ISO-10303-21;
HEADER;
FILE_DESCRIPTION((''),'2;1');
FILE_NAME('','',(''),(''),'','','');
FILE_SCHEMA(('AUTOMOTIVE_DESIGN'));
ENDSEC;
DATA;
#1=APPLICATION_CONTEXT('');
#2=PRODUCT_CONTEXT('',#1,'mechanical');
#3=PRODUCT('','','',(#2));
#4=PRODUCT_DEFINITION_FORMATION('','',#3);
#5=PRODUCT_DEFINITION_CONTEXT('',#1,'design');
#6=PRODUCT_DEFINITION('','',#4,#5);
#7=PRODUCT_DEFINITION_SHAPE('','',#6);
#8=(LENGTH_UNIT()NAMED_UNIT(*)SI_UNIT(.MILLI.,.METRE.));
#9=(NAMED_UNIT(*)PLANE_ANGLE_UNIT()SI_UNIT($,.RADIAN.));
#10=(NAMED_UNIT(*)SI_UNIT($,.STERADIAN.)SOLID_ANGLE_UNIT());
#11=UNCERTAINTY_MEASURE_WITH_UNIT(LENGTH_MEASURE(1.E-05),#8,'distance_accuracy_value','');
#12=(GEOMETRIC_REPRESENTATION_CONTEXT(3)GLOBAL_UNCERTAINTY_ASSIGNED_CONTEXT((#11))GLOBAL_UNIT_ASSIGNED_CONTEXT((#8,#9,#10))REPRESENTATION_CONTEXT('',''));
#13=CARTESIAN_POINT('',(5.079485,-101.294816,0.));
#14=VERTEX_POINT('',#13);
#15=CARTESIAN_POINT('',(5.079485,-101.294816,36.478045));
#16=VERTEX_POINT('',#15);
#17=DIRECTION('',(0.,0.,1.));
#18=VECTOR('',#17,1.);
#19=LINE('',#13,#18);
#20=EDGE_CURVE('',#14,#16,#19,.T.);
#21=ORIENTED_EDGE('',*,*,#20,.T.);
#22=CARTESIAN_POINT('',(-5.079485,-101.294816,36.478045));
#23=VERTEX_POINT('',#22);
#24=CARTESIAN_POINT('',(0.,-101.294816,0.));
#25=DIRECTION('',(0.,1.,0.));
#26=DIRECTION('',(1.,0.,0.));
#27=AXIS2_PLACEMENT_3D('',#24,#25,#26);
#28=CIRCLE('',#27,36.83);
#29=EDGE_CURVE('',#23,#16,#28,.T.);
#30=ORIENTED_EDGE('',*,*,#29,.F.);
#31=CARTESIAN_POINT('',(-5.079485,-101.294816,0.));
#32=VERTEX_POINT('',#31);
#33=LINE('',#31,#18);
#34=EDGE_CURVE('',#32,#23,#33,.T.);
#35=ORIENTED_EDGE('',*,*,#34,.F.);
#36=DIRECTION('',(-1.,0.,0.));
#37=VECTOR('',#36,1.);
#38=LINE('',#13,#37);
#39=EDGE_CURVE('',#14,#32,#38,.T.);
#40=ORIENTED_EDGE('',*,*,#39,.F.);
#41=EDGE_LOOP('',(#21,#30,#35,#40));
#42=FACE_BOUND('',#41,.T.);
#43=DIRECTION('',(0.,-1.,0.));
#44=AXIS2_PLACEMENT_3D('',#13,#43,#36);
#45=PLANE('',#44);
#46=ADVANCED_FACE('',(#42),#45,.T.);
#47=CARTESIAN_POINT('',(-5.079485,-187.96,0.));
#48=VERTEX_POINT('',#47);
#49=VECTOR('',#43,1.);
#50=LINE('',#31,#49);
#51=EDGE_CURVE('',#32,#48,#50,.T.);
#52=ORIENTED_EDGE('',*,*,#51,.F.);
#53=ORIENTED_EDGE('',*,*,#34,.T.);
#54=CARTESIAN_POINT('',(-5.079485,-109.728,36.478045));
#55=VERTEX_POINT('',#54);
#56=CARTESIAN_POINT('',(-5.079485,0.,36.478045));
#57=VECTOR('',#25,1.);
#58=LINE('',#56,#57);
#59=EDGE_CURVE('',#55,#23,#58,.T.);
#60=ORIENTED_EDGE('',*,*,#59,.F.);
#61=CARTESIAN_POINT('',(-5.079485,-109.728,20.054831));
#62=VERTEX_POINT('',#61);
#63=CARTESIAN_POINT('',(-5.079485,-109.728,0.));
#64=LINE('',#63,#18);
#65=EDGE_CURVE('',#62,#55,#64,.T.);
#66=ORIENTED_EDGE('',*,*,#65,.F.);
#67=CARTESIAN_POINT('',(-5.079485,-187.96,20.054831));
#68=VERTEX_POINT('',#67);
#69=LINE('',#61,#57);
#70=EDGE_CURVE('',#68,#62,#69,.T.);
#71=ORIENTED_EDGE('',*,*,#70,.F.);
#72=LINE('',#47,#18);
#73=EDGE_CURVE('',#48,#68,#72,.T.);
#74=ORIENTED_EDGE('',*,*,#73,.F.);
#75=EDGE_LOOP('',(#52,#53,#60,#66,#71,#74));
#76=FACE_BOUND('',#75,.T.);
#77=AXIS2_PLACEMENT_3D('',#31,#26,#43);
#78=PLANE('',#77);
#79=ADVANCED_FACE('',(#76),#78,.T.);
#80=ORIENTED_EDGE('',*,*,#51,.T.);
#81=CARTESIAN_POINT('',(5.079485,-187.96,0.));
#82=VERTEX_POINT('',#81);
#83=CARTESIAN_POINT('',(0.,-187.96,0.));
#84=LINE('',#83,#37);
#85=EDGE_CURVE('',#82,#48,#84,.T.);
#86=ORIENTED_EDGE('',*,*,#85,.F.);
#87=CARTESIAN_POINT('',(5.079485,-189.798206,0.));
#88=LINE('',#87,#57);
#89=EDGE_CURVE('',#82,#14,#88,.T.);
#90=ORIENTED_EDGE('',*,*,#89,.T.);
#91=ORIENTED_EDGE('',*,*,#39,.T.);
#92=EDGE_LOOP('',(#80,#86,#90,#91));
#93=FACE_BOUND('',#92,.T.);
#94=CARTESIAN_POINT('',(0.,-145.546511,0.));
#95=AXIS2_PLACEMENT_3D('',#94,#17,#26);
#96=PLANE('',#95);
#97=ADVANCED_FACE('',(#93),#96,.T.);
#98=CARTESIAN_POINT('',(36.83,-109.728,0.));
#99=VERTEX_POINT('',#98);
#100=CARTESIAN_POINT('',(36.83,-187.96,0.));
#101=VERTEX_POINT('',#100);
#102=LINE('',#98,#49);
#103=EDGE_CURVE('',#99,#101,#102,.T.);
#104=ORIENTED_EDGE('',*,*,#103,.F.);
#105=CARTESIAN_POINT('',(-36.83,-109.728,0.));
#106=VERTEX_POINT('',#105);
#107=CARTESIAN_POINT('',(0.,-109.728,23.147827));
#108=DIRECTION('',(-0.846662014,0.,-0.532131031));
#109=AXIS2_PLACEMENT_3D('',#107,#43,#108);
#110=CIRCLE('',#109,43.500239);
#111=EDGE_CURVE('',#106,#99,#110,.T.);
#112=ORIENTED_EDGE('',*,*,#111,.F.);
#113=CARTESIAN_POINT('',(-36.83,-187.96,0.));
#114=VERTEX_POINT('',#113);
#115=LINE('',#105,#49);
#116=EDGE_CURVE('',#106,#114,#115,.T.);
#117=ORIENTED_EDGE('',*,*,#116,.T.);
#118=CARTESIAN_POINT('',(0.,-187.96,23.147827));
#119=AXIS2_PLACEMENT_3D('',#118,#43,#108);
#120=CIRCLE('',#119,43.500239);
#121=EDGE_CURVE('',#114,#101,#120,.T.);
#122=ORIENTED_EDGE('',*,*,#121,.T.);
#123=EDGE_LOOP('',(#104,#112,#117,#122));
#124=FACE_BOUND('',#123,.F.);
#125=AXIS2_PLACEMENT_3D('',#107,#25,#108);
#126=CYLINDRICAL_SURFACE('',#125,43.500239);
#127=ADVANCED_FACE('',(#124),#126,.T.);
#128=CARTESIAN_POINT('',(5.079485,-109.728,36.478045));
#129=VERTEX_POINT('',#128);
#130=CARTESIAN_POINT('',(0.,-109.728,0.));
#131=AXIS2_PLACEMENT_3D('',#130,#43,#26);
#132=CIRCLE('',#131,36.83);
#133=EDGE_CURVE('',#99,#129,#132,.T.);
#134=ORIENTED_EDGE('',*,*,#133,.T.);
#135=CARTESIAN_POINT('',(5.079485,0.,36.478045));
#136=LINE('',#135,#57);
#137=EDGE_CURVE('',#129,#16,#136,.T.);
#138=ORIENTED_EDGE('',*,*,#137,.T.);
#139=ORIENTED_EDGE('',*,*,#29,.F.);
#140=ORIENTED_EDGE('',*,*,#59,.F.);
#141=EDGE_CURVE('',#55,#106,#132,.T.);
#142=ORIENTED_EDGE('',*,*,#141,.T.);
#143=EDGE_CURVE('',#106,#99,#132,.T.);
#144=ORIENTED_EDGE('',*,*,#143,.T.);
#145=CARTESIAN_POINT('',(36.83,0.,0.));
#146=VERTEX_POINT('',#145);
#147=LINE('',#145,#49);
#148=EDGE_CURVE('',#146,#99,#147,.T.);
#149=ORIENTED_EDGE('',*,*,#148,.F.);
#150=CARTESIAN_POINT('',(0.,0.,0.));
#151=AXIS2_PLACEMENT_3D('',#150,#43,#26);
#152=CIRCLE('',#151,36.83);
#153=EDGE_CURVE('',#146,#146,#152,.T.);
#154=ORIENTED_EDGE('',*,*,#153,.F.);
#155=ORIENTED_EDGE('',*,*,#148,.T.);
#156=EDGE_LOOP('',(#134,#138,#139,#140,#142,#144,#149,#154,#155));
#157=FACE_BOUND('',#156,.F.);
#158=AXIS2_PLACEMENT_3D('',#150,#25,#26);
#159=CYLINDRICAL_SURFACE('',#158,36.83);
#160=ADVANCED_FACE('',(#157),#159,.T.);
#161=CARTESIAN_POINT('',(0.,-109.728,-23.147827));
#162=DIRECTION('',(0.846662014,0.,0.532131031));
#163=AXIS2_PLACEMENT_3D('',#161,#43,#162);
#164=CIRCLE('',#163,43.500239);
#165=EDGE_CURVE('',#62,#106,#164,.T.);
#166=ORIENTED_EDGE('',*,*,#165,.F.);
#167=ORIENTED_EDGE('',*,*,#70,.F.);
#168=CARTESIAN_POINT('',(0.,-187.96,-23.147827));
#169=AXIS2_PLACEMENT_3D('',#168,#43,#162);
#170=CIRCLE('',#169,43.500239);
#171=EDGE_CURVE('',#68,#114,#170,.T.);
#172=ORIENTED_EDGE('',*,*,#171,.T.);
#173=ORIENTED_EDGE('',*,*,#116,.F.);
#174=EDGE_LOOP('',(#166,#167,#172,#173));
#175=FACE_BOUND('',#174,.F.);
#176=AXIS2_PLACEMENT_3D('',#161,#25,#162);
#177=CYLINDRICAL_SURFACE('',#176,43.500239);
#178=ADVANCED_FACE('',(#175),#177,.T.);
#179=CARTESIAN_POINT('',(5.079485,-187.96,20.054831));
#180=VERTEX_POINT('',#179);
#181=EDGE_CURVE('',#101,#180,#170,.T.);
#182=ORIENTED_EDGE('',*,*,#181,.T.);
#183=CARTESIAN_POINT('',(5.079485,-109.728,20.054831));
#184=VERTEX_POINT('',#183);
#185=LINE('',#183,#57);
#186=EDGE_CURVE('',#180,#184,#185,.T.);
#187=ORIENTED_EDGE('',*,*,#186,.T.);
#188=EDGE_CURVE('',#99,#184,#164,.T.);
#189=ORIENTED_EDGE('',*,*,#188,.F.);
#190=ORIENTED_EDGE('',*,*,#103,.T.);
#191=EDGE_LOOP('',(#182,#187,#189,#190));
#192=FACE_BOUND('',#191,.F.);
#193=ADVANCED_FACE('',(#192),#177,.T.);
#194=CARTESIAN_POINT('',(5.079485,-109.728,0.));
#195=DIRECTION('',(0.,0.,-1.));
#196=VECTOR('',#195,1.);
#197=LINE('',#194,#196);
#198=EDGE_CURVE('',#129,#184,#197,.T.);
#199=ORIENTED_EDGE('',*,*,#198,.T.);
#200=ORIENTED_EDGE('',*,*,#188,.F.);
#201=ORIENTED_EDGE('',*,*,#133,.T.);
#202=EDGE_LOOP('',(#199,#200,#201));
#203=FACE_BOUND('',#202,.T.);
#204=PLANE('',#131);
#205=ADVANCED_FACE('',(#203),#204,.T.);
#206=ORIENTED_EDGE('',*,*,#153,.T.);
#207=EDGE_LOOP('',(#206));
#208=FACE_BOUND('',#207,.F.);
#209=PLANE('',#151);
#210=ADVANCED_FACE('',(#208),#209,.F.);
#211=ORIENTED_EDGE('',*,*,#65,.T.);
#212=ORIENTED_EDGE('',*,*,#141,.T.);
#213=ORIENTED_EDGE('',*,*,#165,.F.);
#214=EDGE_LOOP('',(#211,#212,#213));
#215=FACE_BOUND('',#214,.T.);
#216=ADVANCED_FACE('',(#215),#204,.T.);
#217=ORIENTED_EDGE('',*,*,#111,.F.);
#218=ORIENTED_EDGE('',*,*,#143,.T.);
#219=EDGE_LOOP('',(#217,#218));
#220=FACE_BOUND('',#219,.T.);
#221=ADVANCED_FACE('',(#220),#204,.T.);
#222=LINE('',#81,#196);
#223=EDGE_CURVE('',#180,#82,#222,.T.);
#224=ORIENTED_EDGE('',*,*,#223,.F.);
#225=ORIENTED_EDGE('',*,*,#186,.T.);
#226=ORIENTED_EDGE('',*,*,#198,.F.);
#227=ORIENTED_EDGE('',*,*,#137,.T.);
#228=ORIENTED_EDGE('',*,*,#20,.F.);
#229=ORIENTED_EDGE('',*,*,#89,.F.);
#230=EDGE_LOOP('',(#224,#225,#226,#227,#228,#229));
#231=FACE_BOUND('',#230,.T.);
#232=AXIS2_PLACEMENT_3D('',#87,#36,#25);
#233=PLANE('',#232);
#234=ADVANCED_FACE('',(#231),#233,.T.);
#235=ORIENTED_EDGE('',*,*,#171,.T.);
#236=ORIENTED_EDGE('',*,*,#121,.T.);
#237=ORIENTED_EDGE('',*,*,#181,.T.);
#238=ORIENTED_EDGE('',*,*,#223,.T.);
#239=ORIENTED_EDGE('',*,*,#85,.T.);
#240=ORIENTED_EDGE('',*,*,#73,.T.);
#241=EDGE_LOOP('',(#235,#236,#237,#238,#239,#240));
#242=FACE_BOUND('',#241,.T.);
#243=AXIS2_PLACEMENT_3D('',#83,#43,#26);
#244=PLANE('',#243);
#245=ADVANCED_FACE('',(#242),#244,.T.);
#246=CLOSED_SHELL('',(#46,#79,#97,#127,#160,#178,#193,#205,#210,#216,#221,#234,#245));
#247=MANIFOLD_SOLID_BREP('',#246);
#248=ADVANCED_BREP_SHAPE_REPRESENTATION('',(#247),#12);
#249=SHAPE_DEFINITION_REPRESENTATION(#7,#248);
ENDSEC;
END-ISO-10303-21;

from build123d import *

# Parameters (mm, degrees)
F0_R     = 36.83
F1_DEPTH = 109.728
F3_DEPTH = 78.232
F5_DEPTH = 36.831


with BuildPart() as f1:
    # F0 (on Front) → F1 (new body)
    with BuildSketch(Plane.XZ):
        Circle(F0_R)
    extrude(amount=F1_DEPTH)

    # F2 (on face) → F3 (join)
    with BuildSketch(Plane.XZ.offset(109.728)):
        with BuildLine():
            ThreePointArc((-36.83, 0), (0, -20.352412), (36.83, 0))
            ThreePointArc((36.83, 0), (0, 20.352412), (-36.83, 0))
        make_face()
    extrude(amount=F3_DEPTH)

    # F4 (on Top) → F5 (cut, through all)
    with BuildSketch(Plane.XY):
        Polygon((-5.079485, -101.294816), (-5.079485, -189.798206), (0, -189.798206), (5.079485, -189.798206), (5.079485, -101.294816), align=None)
    extrude(amount=F5_DEPTH, mode=Mode.SUBTRACT)


solid = f1.part
